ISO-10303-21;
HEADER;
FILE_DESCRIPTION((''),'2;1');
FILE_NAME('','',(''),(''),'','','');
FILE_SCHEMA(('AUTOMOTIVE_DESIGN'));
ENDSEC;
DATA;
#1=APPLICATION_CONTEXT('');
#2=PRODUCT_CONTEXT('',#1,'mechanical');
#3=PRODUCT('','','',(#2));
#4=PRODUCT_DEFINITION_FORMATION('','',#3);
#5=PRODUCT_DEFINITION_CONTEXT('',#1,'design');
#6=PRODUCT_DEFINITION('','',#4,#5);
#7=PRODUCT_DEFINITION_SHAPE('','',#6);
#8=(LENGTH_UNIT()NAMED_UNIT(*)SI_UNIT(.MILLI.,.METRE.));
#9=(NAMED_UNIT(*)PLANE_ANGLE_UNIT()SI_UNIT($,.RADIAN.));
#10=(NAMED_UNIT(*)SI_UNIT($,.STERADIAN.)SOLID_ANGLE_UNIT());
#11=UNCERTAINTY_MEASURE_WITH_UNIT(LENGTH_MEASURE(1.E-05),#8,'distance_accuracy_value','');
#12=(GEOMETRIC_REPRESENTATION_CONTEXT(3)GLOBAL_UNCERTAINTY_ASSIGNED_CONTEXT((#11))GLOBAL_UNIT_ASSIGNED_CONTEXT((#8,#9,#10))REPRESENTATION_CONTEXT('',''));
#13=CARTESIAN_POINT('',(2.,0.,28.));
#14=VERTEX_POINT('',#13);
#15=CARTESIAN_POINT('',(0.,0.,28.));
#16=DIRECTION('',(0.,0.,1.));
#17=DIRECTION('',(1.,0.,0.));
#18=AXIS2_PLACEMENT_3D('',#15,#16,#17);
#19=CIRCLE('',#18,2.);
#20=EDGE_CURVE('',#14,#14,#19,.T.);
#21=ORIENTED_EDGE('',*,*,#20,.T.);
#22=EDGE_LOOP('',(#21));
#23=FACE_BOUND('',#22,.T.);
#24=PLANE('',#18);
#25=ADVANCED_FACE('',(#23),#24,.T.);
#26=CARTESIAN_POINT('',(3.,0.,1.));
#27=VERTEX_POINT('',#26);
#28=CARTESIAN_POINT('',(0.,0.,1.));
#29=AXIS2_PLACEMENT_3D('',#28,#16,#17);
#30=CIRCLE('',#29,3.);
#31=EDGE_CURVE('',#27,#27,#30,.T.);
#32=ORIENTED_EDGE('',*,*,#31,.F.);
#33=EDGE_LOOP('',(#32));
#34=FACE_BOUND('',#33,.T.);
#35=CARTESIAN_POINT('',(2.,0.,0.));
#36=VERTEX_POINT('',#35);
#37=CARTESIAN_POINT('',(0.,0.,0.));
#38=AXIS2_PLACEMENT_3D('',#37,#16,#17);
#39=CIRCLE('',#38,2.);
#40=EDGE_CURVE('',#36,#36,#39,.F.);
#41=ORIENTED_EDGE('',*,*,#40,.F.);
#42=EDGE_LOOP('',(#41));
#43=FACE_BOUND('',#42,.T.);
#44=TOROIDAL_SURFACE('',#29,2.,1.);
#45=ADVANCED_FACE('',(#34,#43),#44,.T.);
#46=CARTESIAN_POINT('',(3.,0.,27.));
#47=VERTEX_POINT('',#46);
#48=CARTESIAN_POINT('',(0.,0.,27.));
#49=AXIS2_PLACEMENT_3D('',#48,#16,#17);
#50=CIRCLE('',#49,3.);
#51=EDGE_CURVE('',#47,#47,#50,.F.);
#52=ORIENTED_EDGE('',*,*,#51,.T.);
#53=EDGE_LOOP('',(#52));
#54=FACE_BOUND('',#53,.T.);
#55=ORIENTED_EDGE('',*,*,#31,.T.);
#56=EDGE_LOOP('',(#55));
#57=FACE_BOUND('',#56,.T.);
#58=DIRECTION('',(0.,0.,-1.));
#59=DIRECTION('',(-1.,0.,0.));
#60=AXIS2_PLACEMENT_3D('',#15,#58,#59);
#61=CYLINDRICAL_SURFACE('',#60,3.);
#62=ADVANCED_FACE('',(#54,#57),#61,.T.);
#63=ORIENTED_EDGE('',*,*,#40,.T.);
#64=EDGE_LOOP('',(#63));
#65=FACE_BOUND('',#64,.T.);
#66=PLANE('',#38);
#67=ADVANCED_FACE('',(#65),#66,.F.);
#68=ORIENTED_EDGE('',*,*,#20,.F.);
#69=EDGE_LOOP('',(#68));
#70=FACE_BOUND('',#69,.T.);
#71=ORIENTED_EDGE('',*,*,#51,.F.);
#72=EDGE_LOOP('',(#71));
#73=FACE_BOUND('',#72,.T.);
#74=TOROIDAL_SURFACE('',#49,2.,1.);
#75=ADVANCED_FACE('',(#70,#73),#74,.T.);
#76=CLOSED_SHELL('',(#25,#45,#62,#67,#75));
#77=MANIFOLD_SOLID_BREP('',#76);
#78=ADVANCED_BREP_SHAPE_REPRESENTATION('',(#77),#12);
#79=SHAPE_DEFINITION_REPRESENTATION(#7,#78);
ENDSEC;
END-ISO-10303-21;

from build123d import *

# Parameters (mm, degrees)
SZKIC1_R                    = 3
DODANIE_WYCI_GNI_CIE1_DEPTH = 28
ZAOKR_GLENIE1_R             = 1


with BuildPart() as part:
    # Szkic1 → Dodanie-wyciągnięcie1 (new body)
    with BuildSketch(Plane.XY):
        Circle(SZKIC1_R)
    extrude(amount=DODANIE_WYCI_GNI_CIE1_DEPTH)

    # Zaokrąglenie1
    zaokr_glenie1_edges = [part.edges().sort_by_distance(p)[0] for p in [
        (-3, 0, 0),
        (-3, 0, 28),
    ]]
    fillet(zaokr_glenie1_edges, radius=ZAOKR_GLENIE1_R)


solid = part.part
